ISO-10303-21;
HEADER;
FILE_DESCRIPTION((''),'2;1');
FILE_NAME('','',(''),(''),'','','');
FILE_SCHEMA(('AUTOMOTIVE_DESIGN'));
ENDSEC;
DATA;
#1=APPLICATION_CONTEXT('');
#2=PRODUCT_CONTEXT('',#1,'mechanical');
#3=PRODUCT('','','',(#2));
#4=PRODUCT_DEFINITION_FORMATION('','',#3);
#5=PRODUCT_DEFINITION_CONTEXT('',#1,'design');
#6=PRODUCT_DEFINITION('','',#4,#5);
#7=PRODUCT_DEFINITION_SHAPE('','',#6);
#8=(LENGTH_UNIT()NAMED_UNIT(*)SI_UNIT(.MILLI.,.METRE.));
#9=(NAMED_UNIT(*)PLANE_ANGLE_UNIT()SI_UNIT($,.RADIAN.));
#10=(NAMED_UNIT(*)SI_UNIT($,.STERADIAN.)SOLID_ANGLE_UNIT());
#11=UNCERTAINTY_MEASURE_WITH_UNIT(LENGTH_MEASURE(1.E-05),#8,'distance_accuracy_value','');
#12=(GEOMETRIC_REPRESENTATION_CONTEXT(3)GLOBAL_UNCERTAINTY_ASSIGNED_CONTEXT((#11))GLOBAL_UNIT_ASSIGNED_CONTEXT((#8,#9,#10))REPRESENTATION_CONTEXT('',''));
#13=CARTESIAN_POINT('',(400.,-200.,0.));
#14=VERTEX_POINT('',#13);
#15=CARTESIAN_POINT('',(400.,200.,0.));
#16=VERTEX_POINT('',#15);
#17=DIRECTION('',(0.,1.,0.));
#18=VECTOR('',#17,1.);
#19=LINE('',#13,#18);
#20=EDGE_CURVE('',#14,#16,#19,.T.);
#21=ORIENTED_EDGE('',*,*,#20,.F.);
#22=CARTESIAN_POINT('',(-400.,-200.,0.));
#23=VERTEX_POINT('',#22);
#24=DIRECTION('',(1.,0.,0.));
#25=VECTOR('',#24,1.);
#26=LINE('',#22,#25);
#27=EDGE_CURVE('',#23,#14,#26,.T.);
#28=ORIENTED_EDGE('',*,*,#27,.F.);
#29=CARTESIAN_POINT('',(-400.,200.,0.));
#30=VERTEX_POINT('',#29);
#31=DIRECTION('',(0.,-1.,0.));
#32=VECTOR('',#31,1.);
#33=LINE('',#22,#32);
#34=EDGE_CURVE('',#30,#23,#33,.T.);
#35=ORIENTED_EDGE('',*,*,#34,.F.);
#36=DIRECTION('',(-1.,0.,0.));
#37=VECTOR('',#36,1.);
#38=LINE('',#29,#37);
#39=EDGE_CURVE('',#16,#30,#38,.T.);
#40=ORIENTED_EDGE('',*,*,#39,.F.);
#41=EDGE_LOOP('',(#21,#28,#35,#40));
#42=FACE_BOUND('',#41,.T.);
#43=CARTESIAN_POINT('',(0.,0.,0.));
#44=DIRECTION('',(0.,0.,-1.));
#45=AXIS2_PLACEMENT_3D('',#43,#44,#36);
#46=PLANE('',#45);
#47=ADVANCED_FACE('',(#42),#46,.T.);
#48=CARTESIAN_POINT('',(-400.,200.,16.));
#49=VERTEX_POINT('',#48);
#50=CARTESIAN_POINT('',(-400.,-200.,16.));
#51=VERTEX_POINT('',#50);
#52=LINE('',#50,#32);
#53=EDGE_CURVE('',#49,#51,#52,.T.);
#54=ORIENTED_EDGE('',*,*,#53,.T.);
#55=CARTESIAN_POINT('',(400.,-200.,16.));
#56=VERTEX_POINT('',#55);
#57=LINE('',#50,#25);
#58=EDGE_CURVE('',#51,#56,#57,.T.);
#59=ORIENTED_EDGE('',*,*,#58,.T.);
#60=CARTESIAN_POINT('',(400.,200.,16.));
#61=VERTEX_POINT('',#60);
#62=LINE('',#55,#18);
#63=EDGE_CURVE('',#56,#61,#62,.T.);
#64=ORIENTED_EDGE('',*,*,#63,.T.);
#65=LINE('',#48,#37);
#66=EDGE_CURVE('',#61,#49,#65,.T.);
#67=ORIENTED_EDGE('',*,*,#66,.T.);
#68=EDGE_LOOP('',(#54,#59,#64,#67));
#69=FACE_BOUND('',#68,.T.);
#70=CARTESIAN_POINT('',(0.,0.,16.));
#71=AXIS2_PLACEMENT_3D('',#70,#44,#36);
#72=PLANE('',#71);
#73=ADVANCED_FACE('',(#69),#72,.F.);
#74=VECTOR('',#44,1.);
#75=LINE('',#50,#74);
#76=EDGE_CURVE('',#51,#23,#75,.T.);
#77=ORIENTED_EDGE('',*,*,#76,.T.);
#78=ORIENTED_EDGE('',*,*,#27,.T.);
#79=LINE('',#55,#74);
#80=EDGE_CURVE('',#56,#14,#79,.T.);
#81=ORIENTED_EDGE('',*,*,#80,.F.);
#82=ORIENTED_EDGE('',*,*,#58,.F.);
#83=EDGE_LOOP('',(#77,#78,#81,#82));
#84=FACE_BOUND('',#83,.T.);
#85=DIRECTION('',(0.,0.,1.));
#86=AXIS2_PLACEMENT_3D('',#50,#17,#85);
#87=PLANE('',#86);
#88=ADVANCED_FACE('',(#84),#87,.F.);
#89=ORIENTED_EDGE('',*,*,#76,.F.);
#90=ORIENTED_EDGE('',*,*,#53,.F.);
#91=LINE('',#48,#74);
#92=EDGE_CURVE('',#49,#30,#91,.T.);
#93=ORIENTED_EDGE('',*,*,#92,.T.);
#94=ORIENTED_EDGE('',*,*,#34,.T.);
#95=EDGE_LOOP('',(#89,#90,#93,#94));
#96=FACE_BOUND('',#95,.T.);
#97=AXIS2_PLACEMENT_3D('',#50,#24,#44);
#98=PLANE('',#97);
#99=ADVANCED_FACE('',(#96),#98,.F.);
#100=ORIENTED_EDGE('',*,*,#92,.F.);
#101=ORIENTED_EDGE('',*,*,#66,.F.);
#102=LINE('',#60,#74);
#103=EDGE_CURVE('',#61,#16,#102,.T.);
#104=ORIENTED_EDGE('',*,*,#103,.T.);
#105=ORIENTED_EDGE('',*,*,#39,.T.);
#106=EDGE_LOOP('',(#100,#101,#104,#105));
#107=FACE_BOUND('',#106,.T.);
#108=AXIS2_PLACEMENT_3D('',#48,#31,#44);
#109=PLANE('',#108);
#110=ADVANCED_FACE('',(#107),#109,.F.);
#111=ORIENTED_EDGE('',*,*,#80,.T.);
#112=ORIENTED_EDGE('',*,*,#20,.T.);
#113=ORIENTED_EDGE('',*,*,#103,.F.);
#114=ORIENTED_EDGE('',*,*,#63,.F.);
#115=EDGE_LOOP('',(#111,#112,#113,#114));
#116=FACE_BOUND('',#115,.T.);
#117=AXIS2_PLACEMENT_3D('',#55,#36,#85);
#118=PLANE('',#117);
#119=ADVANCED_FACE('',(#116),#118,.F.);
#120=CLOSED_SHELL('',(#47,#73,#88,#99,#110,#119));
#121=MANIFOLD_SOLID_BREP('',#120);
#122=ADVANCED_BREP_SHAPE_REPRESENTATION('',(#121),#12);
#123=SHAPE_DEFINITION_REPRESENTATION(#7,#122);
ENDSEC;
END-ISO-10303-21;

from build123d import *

# Parameters (mm, degrees)
SKETCH_1_W      = 800
SKETCH_1_H      = 400
EXTRUDE_1_DEPTH = 16


with BuildPart() as part:
    # 草图1 → 凸台-拉伸1 (new body)
    with BuildSketch(Plane.XY):
        Rectangle(SKETCH_1_W, SKETCH_1_H)
    extrude(amount=EXTRUDE_1_DEPTH)


solid = part.part
